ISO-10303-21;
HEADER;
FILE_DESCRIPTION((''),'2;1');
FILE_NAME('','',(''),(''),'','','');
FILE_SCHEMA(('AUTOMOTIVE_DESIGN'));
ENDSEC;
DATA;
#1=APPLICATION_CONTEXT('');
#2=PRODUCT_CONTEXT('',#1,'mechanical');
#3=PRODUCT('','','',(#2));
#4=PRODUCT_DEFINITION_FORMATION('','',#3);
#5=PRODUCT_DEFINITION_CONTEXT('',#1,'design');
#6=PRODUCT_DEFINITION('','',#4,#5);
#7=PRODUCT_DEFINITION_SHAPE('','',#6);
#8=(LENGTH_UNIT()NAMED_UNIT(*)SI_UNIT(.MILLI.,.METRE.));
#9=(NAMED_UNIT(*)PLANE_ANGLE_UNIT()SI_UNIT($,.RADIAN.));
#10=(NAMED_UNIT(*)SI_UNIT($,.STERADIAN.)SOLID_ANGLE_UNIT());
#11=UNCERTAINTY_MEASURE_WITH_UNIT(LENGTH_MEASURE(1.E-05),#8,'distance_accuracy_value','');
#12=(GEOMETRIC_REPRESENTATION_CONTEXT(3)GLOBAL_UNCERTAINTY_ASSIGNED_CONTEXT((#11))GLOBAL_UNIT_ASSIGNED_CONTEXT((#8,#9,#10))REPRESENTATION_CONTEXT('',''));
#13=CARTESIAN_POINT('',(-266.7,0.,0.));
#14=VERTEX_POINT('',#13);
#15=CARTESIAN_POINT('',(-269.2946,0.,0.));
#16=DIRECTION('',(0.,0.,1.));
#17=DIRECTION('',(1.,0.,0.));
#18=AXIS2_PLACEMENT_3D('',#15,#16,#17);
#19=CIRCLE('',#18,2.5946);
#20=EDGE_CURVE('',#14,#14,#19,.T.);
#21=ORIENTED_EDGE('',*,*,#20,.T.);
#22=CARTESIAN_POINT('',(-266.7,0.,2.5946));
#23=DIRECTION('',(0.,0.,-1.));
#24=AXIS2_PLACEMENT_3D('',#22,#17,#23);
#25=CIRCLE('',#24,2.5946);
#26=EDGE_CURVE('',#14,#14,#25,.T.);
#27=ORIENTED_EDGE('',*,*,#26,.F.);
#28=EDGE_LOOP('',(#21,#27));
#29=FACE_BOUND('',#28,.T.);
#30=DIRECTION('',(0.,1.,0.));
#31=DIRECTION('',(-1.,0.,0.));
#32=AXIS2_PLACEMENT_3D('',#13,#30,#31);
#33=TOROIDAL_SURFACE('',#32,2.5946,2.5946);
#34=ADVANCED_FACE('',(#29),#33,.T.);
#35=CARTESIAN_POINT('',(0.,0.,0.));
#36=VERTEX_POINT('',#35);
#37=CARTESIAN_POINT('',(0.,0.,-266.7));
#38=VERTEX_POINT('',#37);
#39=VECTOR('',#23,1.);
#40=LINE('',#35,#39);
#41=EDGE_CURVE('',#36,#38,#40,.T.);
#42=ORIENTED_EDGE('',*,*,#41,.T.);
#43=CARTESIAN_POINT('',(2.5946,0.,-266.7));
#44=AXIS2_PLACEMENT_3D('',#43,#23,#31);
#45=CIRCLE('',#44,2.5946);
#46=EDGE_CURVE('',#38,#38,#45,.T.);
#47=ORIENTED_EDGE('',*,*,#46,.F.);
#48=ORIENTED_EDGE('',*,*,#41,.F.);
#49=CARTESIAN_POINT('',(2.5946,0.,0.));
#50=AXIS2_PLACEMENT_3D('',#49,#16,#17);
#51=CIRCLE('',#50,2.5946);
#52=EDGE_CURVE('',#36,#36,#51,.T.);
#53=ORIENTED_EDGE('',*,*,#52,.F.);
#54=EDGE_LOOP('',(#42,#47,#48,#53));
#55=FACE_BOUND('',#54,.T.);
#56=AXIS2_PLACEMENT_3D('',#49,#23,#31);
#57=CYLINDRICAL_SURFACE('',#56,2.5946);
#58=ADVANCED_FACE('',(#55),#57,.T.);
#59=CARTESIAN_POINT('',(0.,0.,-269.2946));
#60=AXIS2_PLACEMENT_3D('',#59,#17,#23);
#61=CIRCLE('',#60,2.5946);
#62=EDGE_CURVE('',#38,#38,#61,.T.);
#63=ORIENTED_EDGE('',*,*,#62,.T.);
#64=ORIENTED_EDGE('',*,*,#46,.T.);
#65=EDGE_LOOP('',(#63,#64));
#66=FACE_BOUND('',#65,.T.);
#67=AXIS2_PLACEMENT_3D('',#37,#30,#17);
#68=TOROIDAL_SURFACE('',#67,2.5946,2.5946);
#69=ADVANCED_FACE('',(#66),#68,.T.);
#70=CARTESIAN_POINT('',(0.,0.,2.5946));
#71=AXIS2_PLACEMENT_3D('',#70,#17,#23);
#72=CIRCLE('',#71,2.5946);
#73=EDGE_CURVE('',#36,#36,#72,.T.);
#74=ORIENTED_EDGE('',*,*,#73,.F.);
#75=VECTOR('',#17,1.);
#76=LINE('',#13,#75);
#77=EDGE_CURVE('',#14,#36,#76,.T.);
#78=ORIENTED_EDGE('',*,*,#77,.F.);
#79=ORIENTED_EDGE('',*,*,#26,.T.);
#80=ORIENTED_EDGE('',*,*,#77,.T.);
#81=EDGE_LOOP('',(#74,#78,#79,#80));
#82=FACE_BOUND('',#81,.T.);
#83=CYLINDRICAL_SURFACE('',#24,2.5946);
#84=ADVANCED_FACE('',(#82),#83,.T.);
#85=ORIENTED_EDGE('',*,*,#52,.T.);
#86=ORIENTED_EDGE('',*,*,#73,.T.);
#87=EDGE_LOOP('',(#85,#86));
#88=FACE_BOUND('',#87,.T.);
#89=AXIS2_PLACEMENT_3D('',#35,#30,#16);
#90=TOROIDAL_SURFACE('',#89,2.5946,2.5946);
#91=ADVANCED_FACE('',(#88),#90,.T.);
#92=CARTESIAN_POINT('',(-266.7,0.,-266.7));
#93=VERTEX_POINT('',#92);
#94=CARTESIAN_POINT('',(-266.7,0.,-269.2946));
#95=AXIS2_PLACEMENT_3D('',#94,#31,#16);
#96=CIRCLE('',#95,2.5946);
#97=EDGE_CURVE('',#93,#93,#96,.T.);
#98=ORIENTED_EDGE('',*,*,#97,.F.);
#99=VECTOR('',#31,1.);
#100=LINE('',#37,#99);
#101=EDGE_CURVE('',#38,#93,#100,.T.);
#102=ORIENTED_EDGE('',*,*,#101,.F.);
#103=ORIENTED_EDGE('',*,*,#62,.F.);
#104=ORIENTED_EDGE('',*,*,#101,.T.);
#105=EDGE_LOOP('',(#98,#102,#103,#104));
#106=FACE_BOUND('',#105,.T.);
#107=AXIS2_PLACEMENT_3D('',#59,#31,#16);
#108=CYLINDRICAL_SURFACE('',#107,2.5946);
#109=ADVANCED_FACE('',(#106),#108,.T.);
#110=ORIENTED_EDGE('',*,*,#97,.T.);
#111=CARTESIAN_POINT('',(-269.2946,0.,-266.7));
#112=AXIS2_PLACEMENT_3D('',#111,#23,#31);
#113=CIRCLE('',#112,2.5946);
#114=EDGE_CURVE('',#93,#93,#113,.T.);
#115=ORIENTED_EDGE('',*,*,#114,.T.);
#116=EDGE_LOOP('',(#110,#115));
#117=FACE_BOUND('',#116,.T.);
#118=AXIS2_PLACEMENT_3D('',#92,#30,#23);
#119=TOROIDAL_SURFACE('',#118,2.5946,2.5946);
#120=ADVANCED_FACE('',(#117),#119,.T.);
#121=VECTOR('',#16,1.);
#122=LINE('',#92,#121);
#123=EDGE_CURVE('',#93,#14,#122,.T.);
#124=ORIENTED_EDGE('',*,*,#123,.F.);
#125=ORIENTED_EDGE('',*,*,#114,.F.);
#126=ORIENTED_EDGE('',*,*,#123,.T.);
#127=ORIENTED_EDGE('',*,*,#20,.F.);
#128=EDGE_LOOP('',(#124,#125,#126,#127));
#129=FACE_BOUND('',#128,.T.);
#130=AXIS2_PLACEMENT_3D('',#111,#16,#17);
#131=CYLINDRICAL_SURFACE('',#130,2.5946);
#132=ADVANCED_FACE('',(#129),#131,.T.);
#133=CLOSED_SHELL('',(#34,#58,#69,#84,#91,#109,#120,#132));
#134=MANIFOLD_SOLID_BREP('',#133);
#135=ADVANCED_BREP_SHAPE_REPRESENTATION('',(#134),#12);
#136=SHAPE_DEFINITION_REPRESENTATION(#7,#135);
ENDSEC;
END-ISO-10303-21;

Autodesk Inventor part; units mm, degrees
ref_plane "YZ Plane" through (0, 0, 0) normal (1, 0, 0) x (0, 1, 0)
ref_plane "XZ Plane" through (0, 0, 0) normal (0, 1, 0) x (-1, 0, 0)
sketch "Sketch1" plane through (0, 0, 0) normal (0, 1, 0) x (-1, 0, 0)
  line L0 (0, 0) -> (266.7, 0)
  line L1 (266.7, 0) -> (266.7, -266.7)
  line L2 (266.7, -266.7) -> (0, -266.7)
  line L3 (0, -266.7) -> (0, 0)
  line L4 (-2.5946, 0) -> (-2.5946, -266.7)
  line L5 (0, -269.2946) -> (266.7, -269.2946)
  line L6 (269.2946, -266.7) -> (269.2946, 0)
  line L7 (266.7, 2.5946) -> (0, 2.5946)
  arc A0 (-2.5946, -266.7) -> (0, -269.2946) centre (0, -266.7) ccw
  arc A1 (266.7, -269.2946) -> (269.2946, -266.7) centre (266.7, -266.7) ccw
  arc A2 (269.2946, 0) -> (266.7, 2.5946) centre (266.7, 0) ccw
  arc A3 (0, 2.5946) -> (-2.5946, 0) centre (0, 0) ccw
  dimension "d1" = 2.5946
  dimension "d2" = 2.5946
  dimension "d3" = 2.5946
  dimension "d4" = 2.5946
  dimension "d5" = 2.5946
  dimension "d7" = 266.7
  dimension "d8" = 2.5946
ref_plane "Work Plane1" through (2.5946, 0, 0) normal (0, 0, -1) x (-1, 0, 0)
sketch "Sketch2" plane through (2.5946, 0, 0) normal (0, 0, -1) x (-1, 0, 0)
  circle A0 centre (0, 0) radius 2.5946
  point P0 (2.5946, 0)
  dimension "d9" = 5.1892
sweep "Sweep1" add profiles "Sketch2" path "Sketch1" path curves L4 A0 L5 A1 L6 A2 L7 A3
properties part number "Coil_Of_Wire" material "Copper"
